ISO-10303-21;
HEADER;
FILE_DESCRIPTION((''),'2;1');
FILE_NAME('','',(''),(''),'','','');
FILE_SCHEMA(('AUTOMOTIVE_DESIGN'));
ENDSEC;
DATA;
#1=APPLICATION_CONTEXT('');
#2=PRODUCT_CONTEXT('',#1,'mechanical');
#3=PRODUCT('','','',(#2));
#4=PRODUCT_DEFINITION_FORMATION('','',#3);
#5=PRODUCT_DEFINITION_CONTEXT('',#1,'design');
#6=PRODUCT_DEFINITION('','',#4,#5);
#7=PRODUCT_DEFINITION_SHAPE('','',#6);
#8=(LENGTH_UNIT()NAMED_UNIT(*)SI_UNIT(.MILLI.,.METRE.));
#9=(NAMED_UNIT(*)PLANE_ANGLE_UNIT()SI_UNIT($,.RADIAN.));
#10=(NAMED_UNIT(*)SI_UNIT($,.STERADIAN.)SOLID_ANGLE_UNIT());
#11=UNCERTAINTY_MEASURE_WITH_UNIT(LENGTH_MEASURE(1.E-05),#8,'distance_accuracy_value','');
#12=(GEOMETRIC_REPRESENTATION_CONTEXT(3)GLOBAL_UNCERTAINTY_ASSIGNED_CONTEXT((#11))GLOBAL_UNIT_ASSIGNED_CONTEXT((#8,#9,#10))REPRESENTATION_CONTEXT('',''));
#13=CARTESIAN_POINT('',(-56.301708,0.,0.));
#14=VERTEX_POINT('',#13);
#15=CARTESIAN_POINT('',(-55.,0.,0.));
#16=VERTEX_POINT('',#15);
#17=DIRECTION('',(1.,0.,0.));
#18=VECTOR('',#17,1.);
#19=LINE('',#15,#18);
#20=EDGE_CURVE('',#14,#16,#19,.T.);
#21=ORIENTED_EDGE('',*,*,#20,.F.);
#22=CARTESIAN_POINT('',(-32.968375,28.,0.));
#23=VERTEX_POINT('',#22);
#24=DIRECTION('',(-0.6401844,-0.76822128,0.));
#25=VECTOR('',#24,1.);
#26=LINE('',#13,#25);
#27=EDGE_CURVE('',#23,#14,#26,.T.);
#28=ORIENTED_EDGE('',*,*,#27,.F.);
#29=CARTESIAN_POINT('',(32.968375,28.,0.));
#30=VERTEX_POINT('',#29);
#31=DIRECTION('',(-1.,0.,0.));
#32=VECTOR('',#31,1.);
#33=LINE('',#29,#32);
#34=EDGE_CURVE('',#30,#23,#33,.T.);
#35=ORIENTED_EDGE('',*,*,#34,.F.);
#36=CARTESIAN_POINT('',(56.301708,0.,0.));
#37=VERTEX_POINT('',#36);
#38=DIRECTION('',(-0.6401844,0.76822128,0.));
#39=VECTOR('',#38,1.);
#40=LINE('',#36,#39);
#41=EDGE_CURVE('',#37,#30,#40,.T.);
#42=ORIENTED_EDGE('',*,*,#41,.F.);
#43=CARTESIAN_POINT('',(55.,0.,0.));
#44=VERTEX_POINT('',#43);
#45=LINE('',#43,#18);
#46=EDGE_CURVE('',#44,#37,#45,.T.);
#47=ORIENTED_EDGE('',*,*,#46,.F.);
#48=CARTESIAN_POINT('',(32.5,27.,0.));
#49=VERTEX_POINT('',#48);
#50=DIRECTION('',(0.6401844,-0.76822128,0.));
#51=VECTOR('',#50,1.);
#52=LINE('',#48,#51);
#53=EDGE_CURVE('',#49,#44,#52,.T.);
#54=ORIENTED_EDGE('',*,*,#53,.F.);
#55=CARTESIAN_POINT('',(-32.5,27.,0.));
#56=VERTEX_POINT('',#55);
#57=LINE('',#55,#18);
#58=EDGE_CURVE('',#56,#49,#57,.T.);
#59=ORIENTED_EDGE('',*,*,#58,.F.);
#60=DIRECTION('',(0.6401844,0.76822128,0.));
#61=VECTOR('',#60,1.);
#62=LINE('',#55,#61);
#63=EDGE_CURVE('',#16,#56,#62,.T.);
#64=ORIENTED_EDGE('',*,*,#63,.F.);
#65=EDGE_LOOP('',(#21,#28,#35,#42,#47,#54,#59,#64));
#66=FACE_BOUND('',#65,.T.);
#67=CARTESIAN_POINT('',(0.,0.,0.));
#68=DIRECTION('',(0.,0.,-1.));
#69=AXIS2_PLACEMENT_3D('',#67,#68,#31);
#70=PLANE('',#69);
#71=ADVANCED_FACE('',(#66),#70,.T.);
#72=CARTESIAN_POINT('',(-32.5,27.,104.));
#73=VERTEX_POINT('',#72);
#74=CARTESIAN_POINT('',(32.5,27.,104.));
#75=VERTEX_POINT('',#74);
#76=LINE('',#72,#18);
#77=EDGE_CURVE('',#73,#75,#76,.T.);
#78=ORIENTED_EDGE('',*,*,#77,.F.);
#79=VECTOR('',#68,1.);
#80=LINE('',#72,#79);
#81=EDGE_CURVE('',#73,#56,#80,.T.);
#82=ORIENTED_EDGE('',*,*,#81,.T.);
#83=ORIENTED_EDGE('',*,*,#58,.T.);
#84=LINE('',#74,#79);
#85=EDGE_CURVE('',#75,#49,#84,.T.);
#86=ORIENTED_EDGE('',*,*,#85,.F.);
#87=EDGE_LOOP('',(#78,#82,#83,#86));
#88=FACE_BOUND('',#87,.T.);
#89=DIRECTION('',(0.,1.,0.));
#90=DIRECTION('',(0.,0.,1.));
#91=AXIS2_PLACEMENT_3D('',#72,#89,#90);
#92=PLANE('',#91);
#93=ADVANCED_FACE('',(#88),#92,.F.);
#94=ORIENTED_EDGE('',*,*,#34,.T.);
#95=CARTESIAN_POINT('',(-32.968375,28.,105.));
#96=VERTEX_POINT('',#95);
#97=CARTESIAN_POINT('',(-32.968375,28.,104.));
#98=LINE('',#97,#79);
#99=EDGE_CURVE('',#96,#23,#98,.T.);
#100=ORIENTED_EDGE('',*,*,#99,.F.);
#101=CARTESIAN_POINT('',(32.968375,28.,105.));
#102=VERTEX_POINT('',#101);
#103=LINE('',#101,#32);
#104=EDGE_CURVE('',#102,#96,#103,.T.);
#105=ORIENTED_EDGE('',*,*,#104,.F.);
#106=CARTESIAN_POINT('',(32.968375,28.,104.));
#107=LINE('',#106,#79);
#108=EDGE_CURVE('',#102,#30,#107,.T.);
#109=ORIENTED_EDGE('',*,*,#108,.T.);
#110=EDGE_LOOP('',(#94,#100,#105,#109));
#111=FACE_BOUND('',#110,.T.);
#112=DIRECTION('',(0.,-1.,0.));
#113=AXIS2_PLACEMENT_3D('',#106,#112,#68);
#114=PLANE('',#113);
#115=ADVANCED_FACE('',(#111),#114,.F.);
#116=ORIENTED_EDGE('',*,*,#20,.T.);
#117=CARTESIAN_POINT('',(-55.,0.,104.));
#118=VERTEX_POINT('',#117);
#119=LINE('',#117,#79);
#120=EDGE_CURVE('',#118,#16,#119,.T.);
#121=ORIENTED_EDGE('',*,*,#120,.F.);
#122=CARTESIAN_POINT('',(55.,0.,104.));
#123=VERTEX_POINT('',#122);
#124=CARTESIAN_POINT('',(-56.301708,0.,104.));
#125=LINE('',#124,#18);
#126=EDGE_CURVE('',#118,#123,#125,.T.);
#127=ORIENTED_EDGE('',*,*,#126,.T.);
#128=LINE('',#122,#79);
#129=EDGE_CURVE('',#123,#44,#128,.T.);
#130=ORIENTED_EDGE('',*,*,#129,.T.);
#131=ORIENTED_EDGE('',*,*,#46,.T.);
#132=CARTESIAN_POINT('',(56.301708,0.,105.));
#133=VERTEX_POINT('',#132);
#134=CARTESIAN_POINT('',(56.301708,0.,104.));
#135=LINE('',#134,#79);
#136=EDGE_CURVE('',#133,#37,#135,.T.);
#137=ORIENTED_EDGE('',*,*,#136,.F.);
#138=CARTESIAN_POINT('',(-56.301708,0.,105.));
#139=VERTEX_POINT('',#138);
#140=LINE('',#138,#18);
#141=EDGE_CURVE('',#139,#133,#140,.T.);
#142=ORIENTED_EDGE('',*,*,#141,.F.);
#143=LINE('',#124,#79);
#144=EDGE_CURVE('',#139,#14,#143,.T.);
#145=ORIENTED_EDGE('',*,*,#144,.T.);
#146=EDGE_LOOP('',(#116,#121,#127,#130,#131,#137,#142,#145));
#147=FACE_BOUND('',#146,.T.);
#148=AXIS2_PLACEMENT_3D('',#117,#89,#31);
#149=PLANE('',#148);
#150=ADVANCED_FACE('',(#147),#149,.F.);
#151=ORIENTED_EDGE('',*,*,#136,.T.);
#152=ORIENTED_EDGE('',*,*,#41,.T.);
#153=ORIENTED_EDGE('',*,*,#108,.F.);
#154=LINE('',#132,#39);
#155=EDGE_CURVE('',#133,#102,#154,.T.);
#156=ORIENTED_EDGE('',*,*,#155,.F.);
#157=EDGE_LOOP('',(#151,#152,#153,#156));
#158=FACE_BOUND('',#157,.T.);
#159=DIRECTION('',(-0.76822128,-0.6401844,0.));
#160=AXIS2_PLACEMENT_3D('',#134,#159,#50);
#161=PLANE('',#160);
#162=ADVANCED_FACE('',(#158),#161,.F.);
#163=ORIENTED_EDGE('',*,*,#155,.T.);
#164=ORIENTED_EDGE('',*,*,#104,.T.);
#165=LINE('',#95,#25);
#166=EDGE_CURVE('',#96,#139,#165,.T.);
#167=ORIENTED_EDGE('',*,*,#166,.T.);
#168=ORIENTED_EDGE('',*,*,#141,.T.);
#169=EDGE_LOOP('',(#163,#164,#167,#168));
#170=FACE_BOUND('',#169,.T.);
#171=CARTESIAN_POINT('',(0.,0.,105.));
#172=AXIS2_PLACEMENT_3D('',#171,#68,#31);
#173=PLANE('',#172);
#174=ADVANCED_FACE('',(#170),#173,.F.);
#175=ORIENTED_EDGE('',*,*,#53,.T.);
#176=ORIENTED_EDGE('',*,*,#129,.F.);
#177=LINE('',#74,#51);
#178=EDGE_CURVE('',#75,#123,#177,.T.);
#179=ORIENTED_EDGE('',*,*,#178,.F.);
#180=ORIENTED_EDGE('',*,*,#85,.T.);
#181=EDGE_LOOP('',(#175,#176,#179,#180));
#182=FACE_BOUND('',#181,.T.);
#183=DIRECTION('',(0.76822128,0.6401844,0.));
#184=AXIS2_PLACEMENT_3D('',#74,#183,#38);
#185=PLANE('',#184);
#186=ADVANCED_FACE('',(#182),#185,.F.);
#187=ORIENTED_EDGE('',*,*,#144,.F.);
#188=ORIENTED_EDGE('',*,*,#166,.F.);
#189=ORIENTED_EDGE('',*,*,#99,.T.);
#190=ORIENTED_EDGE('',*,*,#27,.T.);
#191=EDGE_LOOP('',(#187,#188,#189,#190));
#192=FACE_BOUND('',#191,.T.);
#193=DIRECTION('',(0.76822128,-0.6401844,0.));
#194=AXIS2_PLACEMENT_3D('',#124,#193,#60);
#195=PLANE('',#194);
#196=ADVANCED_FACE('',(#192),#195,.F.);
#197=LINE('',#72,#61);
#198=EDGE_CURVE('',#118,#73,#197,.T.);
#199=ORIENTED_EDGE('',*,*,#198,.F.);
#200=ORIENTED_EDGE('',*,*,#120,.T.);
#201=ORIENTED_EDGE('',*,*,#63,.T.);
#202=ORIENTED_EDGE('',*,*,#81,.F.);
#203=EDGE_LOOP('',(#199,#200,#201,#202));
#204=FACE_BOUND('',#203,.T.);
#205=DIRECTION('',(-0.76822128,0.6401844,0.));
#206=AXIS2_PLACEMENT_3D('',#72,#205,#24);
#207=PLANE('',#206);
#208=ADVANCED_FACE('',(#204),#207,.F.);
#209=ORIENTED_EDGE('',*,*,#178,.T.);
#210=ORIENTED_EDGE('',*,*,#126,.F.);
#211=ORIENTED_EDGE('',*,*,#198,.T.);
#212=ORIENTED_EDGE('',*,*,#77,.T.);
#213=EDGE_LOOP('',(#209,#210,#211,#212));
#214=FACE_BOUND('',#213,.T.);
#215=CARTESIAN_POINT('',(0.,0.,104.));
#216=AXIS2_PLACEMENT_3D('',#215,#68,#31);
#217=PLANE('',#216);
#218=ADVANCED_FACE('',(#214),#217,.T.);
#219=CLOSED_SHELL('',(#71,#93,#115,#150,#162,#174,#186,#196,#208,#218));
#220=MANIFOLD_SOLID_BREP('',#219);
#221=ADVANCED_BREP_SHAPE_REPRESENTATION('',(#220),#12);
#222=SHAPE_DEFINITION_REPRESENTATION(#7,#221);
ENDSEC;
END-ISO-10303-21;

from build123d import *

# Parameters (mm, degrees)
SALIENTE_EXTRUIR1_DEPTH = 104
SALIENTE_EXTRUIR2_DEPTH = 1


with BuildPart() as part:
    # Croquis1 → Saliente-Extruir1 (new body)
    with BuildSketch(Plane.XY):
        Polygon((-55, 0), (-56.301708279, 0), (-32.968374946, 28), (32.968374946, 28), (56.301708279, 0), (55, 0), (32.5, 27), (-32.5, 27), align=None)
    extrude(amount=SALIENTE_EXTRUIR1_DEPTH)

    # Croquis4 → Saliente-Extruir2 (add)
    with BuildSketch(Plane.XY.offset(104)):
        Polygon((-56.301708279, 0), (56.301708279, 0), (32.968374946, 28), (-32.968374946, 28), align=None)
    extrude(amount=SALIENTE_EXTRUIR2_DEPTH)


solid = part.part
